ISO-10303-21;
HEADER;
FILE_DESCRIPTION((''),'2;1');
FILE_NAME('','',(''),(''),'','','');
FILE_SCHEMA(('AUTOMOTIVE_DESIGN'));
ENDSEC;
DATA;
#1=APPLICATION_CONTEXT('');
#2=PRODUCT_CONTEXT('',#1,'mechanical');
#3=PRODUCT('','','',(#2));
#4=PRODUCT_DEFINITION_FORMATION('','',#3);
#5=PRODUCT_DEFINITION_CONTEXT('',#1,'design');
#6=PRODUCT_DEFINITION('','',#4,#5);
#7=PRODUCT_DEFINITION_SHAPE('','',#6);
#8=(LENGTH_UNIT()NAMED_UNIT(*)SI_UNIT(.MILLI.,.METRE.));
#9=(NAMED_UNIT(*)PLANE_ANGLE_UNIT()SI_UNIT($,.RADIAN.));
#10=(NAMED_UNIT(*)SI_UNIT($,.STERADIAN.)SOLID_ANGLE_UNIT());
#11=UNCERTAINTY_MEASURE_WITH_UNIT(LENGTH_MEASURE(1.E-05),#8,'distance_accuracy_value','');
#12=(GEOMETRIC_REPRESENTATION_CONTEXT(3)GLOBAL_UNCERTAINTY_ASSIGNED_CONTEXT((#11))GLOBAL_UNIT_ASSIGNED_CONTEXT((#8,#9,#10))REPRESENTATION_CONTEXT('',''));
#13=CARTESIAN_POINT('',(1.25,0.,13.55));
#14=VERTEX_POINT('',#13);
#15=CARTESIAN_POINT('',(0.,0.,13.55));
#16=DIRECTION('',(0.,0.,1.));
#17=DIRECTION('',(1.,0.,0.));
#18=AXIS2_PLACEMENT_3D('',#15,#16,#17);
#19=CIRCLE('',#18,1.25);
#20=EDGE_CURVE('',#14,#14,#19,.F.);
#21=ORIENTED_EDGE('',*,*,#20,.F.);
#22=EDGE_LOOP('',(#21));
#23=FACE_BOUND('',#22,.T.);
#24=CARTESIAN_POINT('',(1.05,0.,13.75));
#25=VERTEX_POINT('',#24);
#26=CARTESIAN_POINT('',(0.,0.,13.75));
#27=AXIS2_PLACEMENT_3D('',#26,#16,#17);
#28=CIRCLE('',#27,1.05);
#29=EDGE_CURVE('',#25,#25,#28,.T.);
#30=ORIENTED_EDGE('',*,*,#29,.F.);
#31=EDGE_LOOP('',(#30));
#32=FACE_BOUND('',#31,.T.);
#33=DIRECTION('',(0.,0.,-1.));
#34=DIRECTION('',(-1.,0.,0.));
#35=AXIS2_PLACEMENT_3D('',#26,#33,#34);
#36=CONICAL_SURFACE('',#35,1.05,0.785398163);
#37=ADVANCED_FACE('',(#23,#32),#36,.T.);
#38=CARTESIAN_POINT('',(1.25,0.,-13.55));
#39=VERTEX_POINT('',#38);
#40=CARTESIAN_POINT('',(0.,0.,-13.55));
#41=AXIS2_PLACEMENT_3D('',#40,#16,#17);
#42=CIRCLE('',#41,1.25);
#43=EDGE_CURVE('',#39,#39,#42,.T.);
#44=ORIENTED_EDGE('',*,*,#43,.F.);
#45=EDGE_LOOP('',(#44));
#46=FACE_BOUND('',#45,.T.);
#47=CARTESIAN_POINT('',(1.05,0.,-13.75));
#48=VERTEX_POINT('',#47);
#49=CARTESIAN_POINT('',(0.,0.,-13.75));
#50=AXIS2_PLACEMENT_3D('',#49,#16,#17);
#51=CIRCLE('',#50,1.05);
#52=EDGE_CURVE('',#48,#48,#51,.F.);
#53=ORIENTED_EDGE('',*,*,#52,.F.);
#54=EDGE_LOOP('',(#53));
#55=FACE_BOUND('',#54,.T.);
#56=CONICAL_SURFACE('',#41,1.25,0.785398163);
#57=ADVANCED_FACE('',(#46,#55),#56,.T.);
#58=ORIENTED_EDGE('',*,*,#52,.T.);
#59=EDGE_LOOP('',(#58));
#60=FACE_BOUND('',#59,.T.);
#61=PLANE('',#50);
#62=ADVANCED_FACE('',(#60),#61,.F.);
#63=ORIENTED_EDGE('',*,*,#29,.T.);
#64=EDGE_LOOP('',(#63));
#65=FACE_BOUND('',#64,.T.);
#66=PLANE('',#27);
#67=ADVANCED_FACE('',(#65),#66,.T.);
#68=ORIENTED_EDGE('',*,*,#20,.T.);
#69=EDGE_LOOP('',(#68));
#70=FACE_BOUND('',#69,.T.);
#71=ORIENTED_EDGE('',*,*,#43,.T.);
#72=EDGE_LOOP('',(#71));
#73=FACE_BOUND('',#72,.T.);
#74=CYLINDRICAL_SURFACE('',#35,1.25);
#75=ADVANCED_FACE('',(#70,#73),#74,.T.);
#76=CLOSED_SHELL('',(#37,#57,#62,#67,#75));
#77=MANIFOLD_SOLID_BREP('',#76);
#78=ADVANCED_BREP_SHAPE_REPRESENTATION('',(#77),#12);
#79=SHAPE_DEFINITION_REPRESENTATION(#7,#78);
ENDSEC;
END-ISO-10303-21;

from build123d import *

# Parameters (mm, degrees)
SKETCH2_R           = 1.25
BOSS_EXTRUDE1_DEPTH = 13.75
CHAMFER1_SIZE       = 0.2


with BuildPart() as part:
    # Sketch2 → Boss-Extrude1 (new body, symmetric)
    with BuildSketch(Plane.XY):
        Circle(SKETCH2_R)
    extrude(amount=BOSS_EXTRUDE1_DEPTH, both=True)

    # Chamfer1
    chamfer1_edges = [part.edges().sort_by_distance(p)[0] for p in [
        (-1.25, 0, -13.75),
        (-1.25, 0, 13.75),
    ]]
    chamfer(chamfer1_edges, length=CHAMFER1_SIZE)


solid = part.part
